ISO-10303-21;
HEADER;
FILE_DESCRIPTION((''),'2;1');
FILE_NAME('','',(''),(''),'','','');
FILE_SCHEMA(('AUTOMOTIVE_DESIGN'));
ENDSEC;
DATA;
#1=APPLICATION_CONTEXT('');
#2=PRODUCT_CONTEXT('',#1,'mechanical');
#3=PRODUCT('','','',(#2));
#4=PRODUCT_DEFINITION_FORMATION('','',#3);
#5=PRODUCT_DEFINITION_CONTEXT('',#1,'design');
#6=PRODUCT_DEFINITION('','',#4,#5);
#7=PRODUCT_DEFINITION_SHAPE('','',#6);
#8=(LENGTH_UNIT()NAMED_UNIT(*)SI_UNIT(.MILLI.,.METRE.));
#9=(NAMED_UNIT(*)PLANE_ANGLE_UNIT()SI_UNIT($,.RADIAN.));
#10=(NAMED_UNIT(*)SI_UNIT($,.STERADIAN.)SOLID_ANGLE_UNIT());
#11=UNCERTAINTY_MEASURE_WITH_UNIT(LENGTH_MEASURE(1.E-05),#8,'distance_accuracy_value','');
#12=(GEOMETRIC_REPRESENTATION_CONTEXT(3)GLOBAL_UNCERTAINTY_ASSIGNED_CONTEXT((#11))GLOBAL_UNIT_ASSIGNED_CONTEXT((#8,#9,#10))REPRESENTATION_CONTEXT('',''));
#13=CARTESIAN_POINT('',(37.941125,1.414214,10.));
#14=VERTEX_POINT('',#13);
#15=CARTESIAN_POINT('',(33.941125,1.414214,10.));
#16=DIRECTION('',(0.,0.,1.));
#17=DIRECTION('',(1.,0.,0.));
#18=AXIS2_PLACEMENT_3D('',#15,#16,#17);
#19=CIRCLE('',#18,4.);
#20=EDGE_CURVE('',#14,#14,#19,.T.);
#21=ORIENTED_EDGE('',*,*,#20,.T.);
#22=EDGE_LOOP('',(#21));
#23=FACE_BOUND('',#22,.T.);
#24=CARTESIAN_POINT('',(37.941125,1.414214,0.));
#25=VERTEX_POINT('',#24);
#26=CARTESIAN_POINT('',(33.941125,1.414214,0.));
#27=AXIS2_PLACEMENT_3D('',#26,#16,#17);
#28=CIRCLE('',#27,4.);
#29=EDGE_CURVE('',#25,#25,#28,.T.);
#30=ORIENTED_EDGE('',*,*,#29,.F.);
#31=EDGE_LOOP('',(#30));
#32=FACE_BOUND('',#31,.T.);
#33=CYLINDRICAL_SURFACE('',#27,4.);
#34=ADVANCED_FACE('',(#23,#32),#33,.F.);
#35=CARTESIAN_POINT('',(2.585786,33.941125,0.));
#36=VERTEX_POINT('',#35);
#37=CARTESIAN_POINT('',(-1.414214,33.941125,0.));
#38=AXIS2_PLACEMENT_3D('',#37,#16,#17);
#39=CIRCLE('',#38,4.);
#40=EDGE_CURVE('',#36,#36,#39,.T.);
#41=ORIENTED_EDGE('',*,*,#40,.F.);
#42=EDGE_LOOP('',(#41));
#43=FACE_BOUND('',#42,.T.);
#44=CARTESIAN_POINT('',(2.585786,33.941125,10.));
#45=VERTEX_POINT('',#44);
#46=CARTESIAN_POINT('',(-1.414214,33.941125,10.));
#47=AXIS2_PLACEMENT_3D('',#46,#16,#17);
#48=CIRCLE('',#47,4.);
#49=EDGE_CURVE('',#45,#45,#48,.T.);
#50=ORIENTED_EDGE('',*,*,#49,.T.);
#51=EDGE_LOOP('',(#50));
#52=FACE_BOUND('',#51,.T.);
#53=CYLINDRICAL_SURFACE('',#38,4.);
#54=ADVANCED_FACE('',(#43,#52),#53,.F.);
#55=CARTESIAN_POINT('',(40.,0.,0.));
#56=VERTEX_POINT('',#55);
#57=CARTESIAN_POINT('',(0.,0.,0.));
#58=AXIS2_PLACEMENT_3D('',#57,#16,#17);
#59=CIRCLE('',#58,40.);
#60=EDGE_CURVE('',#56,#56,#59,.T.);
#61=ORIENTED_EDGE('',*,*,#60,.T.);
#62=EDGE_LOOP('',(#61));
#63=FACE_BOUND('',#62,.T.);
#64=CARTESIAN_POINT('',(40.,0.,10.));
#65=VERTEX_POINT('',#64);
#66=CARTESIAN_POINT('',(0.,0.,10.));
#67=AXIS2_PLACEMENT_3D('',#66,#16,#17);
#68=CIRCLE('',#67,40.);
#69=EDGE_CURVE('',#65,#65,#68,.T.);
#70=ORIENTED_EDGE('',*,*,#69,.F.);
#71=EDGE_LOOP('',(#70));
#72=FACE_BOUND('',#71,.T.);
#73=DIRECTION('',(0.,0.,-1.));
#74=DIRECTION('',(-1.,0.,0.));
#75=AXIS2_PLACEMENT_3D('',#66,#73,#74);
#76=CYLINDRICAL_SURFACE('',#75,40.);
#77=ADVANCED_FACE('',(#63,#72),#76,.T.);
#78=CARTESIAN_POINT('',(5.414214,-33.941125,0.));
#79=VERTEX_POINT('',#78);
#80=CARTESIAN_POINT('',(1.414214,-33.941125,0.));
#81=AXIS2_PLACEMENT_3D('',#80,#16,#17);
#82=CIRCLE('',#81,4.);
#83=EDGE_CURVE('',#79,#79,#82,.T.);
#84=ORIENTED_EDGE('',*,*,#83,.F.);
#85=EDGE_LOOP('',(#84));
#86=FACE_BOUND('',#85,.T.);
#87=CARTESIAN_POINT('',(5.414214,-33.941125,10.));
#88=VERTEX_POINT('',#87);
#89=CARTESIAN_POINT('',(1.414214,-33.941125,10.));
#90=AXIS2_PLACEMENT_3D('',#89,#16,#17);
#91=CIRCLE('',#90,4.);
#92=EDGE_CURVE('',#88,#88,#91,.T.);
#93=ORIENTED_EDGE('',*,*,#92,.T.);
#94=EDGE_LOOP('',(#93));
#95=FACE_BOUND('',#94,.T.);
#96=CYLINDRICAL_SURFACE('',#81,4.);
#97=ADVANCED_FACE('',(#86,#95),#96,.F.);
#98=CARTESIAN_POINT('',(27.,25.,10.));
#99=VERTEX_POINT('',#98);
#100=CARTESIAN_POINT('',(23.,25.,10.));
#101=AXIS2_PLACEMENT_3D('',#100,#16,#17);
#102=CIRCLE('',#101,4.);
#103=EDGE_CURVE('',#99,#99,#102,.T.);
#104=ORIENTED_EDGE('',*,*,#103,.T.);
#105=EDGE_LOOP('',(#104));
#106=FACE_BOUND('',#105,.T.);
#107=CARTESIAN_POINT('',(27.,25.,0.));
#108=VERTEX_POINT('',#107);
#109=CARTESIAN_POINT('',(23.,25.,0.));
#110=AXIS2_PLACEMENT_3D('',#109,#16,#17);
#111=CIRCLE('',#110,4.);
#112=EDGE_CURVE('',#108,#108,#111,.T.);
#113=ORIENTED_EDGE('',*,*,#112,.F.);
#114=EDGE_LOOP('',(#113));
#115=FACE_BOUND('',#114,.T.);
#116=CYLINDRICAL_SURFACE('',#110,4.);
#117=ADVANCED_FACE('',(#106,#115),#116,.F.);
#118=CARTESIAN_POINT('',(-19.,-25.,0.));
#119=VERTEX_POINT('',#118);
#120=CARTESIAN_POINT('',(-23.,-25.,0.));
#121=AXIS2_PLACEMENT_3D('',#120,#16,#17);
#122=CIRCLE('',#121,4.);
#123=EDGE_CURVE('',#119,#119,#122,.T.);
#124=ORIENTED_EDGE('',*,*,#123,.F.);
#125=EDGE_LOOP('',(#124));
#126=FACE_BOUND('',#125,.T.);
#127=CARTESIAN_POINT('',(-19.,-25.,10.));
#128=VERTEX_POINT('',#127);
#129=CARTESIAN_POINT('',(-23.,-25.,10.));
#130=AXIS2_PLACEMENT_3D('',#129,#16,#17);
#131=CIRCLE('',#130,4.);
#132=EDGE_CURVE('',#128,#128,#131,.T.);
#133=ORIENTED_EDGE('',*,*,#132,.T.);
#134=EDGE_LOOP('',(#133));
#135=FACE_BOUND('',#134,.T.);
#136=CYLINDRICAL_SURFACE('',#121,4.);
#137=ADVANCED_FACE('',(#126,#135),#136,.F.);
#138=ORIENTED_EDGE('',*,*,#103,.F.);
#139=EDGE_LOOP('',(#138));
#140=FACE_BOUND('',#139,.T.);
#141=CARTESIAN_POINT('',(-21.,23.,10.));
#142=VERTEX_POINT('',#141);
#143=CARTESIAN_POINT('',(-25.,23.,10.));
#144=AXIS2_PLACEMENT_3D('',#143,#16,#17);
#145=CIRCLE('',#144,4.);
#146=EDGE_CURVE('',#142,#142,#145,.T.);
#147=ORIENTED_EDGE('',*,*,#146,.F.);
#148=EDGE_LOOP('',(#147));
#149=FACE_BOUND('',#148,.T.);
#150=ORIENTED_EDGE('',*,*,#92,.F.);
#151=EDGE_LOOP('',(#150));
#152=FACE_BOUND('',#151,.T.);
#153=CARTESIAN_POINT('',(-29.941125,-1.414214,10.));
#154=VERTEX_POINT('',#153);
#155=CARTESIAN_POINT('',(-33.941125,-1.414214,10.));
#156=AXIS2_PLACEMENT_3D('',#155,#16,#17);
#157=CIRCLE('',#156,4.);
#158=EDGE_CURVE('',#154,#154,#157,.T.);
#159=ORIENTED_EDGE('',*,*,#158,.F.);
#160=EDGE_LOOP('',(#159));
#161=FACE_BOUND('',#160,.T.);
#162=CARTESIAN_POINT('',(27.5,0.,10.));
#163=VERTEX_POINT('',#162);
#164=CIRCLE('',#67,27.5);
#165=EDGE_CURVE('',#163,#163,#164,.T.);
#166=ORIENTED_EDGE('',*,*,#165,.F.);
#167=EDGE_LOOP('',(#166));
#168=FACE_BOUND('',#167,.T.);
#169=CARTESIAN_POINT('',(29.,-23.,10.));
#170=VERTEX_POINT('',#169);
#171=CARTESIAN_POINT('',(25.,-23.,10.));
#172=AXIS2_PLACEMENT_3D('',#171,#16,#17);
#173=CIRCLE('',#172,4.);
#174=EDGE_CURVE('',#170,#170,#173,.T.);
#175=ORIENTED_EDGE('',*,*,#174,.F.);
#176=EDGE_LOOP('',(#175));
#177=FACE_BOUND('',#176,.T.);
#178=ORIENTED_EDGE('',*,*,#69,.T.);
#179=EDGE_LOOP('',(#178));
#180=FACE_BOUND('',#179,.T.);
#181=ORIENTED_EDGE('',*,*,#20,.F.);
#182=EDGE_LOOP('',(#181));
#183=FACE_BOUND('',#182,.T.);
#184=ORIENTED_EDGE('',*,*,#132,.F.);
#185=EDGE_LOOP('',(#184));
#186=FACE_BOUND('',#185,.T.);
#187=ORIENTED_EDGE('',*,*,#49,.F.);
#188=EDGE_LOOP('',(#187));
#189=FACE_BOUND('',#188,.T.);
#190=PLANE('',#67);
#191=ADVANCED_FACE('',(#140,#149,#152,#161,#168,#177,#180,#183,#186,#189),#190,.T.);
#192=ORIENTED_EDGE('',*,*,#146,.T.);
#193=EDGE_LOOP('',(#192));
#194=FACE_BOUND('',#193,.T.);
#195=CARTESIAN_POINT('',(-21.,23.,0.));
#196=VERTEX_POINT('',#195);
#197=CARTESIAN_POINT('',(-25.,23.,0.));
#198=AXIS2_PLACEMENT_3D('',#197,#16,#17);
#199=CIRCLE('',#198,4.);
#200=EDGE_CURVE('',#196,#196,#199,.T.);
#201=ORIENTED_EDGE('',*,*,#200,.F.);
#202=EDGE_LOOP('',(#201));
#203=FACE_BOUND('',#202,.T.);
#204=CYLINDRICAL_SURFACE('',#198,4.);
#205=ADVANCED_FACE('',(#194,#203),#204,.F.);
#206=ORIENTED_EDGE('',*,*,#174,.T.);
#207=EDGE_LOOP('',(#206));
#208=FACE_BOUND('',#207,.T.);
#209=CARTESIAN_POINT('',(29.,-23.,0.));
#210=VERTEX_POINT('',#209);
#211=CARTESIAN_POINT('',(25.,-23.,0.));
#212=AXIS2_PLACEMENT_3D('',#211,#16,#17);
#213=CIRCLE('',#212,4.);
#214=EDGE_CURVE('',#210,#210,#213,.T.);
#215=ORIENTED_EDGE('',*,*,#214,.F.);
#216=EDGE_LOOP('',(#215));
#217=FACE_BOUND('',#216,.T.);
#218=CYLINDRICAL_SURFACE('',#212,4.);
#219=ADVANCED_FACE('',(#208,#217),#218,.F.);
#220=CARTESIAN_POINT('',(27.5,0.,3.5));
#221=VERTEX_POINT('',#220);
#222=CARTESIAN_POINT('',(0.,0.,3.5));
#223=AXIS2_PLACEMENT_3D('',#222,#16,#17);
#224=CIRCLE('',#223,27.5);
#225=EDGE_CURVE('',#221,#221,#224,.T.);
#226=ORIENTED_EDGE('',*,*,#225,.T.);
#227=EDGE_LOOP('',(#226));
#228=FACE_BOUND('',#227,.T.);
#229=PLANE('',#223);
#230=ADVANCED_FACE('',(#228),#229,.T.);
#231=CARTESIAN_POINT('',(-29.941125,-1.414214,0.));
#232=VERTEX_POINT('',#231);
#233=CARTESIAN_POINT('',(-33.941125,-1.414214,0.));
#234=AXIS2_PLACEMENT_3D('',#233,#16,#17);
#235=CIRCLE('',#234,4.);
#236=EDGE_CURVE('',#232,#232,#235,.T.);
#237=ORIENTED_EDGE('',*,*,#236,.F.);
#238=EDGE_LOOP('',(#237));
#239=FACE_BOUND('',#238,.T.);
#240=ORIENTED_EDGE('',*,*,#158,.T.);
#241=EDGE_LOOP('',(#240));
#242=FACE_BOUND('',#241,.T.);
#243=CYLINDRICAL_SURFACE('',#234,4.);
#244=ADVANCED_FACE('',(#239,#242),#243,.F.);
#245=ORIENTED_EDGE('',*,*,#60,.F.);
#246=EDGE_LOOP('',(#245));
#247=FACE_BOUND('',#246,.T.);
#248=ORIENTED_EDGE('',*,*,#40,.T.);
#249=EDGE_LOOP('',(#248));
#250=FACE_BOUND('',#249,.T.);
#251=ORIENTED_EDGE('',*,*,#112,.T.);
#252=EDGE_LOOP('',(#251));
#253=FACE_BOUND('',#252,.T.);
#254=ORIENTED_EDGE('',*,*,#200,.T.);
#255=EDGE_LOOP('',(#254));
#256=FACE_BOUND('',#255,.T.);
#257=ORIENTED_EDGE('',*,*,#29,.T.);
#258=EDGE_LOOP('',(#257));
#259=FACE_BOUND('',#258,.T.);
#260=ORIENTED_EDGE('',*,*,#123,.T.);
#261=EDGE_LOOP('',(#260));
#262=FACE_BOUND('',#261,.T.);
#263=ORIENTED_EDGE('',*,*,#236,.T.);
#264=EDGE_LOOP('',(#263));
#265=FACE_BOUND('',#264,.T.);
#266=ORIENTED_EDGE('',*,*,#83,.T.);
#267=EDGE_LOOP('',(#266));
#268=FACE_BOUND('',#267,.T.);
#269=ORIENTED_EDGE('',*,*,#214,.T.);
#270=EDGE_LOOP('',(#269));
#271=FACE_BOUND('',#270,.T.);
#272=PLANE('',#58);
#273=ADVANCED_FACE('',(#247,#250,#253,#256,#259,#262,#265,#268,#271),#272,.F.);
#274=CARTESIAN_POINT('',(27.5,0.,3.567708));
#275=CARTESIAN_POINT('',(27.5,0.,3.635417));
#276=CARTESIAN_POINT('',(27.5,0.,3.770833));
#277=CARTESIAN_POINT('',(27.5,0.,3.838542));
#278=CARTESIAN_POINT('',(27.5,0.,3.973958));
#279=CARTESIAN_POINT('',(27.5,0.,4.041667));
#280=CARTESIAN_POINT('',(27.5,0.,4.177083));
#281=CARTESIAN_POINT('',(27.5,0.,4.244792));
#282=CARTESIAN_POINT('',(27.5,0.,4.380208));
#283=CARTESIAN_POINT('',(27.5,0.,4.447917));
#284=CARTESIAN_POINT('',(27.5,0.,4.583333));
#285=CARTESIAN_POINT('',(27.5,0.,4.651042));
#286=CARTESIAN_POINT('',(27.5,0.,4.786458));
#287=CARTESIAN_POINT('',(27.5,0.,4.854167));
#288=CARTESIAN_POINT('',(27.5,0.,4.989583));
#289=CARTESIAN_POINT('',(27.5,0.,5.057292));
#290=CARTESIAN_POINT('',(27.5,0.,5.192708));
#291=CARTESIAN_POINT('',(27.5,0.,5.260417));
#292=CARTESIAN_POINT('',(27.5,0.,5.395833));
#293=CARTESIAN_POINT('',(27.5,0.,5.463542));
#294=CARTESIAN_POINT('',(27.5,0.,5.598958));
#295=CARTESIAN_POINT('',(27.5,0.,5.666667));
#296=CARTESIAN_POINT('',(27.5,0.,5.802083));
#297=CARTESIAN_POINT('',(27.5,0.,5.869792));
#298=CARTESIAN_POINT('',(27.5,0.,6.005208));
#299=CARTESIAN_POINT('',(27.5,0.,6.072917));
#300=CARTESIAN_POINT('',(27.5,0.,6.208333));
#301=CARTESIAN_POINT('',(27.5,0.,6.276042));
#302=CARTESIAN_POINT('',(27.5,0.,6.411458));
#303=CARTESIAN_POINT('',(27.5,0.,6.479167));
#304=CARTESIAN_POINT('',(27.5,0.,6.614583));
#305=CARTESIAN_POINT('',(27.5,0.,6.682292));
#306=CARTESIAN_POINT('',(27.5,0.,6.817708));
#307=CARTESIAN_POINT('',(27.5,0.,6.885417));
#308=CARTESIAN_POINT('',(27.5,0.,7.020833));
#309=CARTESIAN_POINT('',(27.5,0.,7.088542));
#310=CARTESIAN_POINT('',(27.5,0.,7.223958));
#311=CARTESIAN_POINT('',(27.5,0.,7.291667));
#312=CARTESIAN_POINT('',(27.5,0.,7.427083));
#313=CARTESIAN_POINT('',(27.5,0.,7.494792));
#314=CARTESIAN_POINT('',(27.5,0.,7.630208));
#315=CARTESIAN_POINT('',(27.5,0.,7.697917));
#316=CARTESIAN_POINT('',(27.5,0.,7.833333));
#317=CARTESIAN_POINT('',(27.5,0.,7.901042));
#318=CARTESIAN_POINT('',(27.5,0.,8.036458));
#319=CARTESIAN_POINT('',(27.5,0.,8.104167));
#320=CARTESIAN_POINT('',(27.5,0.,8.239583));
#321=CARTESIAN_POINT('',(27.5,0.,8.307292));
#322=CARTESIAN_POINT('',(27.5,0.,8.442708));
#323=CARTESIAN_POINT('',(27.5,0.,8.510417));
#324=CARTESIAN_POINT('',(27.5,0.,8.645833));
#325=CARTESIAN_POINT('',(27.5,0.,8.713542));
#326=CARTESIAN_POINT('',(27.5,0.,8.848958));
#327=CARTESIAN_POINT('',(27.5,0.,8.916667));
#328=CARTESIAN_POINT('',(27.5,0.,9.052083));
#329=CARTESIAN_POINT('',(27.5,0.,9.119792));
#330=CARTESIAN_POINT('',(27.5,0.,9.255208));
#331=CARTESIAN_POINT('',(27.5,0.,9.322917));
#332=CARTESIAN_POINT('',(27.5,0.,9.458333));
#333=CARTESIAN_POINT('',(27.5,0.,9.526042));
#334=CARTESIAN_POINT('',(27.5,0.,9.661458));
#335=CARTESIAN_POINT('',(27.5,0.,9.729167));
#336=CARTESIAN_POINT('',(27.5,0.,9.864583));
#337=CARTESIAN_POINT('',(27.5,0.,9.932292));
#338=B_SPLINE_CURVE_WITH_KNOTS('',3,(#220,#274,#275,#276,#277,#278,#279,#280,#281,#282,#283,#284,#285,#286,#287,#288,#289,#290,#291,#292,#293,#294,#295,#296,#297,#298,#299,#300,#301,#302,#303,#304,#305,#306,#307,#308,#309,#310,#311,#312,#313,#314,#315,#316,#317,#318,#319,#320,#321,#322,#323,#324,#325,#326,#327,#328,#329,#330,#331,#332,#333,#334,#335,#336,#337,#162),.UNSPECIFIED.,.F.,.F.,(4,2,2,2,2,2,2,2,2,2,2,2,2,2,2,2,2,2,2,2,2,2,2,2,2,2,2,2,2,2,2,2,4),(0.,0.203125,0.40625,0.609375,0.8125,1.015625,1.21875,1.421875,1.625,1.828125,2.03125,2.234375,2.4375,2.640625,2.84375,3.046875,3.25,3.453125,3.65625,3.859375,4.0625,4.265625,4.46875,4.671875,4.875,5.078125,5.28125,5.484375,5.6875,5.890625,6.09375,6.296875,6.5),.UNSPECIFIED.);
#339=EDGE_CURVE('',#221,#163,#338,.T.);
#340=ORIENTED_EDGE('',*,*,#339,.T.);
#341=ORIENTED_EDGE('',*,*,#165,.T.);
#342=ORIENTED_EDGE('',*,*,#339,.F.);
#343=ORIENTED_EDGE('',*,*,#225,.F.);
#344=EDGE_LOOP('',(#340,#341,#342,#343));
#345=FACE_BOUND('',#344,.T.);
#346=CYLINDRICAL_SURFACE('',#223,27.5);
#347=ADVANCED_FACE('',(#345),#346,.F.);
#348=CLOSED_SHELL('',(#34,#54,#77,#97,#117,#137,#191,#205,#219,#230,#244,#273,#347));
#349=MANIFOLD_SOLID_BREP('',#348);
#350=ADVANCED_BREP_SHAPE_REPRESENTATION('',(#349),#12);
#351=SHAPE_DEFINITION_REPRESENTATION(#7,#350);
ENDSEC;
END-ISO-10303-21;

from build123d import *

# Parameters (mm, degrees)
SKETCH1_R           = 40
BOSS_EXTRUDE1_DEPTH = 10
SKETCH2_R           = 27.5
CUT_EXTRUDE1_DEPTH  = 6.5
SKETCH3_R           = 4
CUT_EXTRUDE2_DEPTH  = 58.445626465


with BuildPart() as part:
    # Sketch1 → Boss-Extrude1 (new body)
    with BuildSketch(Plane.XY):
        Circle(SKETCH1_R)
    extrude(amount=BOSS_EXTRUDE1_DEPTH)

    # Sketch2 → Cut-Extrude1 (cut)
    with BuildSketch(Plane.XY.offset(10)):
        Circle(SKETCH2_R)
    extrude(amount=-CUT_EXTRUDE1_DEPTH, mode=Mode.SUBTRACT)

    # Sketch3 → Cut-Extrude2 (cut, through all)
    with BuildSketch(Plane.XY.offset(10)):
        with Locations((-25, 23)):
            Circle(SKETCH3_R)
        with Locations((-1.414213562, 33.941125497)):
            Circle(SKETCH3_R)
        with Locations((23, 25)):
            Circle(SKETCH3_R)
        with Locations((33.941125497, 1.414213562)):
            Circle(SKETCH3_R)
        with Locations((25, -23)):
            Circle(SKETCH3_R)
        with Locations((1.414213562, -33.941125497)):
            Circle(SKETCH3_R)
        with Locations((-23, -25)):
            Circle(SKETCH3_R)
        with Locations((-33.941125497, -1.414213562)):
            Circle(SKETCH3_R)
    extrude(amount=-CUT_EXTRUDE2_DEPTH, mode=Mode.SUBTRACT)


solid = part.part
